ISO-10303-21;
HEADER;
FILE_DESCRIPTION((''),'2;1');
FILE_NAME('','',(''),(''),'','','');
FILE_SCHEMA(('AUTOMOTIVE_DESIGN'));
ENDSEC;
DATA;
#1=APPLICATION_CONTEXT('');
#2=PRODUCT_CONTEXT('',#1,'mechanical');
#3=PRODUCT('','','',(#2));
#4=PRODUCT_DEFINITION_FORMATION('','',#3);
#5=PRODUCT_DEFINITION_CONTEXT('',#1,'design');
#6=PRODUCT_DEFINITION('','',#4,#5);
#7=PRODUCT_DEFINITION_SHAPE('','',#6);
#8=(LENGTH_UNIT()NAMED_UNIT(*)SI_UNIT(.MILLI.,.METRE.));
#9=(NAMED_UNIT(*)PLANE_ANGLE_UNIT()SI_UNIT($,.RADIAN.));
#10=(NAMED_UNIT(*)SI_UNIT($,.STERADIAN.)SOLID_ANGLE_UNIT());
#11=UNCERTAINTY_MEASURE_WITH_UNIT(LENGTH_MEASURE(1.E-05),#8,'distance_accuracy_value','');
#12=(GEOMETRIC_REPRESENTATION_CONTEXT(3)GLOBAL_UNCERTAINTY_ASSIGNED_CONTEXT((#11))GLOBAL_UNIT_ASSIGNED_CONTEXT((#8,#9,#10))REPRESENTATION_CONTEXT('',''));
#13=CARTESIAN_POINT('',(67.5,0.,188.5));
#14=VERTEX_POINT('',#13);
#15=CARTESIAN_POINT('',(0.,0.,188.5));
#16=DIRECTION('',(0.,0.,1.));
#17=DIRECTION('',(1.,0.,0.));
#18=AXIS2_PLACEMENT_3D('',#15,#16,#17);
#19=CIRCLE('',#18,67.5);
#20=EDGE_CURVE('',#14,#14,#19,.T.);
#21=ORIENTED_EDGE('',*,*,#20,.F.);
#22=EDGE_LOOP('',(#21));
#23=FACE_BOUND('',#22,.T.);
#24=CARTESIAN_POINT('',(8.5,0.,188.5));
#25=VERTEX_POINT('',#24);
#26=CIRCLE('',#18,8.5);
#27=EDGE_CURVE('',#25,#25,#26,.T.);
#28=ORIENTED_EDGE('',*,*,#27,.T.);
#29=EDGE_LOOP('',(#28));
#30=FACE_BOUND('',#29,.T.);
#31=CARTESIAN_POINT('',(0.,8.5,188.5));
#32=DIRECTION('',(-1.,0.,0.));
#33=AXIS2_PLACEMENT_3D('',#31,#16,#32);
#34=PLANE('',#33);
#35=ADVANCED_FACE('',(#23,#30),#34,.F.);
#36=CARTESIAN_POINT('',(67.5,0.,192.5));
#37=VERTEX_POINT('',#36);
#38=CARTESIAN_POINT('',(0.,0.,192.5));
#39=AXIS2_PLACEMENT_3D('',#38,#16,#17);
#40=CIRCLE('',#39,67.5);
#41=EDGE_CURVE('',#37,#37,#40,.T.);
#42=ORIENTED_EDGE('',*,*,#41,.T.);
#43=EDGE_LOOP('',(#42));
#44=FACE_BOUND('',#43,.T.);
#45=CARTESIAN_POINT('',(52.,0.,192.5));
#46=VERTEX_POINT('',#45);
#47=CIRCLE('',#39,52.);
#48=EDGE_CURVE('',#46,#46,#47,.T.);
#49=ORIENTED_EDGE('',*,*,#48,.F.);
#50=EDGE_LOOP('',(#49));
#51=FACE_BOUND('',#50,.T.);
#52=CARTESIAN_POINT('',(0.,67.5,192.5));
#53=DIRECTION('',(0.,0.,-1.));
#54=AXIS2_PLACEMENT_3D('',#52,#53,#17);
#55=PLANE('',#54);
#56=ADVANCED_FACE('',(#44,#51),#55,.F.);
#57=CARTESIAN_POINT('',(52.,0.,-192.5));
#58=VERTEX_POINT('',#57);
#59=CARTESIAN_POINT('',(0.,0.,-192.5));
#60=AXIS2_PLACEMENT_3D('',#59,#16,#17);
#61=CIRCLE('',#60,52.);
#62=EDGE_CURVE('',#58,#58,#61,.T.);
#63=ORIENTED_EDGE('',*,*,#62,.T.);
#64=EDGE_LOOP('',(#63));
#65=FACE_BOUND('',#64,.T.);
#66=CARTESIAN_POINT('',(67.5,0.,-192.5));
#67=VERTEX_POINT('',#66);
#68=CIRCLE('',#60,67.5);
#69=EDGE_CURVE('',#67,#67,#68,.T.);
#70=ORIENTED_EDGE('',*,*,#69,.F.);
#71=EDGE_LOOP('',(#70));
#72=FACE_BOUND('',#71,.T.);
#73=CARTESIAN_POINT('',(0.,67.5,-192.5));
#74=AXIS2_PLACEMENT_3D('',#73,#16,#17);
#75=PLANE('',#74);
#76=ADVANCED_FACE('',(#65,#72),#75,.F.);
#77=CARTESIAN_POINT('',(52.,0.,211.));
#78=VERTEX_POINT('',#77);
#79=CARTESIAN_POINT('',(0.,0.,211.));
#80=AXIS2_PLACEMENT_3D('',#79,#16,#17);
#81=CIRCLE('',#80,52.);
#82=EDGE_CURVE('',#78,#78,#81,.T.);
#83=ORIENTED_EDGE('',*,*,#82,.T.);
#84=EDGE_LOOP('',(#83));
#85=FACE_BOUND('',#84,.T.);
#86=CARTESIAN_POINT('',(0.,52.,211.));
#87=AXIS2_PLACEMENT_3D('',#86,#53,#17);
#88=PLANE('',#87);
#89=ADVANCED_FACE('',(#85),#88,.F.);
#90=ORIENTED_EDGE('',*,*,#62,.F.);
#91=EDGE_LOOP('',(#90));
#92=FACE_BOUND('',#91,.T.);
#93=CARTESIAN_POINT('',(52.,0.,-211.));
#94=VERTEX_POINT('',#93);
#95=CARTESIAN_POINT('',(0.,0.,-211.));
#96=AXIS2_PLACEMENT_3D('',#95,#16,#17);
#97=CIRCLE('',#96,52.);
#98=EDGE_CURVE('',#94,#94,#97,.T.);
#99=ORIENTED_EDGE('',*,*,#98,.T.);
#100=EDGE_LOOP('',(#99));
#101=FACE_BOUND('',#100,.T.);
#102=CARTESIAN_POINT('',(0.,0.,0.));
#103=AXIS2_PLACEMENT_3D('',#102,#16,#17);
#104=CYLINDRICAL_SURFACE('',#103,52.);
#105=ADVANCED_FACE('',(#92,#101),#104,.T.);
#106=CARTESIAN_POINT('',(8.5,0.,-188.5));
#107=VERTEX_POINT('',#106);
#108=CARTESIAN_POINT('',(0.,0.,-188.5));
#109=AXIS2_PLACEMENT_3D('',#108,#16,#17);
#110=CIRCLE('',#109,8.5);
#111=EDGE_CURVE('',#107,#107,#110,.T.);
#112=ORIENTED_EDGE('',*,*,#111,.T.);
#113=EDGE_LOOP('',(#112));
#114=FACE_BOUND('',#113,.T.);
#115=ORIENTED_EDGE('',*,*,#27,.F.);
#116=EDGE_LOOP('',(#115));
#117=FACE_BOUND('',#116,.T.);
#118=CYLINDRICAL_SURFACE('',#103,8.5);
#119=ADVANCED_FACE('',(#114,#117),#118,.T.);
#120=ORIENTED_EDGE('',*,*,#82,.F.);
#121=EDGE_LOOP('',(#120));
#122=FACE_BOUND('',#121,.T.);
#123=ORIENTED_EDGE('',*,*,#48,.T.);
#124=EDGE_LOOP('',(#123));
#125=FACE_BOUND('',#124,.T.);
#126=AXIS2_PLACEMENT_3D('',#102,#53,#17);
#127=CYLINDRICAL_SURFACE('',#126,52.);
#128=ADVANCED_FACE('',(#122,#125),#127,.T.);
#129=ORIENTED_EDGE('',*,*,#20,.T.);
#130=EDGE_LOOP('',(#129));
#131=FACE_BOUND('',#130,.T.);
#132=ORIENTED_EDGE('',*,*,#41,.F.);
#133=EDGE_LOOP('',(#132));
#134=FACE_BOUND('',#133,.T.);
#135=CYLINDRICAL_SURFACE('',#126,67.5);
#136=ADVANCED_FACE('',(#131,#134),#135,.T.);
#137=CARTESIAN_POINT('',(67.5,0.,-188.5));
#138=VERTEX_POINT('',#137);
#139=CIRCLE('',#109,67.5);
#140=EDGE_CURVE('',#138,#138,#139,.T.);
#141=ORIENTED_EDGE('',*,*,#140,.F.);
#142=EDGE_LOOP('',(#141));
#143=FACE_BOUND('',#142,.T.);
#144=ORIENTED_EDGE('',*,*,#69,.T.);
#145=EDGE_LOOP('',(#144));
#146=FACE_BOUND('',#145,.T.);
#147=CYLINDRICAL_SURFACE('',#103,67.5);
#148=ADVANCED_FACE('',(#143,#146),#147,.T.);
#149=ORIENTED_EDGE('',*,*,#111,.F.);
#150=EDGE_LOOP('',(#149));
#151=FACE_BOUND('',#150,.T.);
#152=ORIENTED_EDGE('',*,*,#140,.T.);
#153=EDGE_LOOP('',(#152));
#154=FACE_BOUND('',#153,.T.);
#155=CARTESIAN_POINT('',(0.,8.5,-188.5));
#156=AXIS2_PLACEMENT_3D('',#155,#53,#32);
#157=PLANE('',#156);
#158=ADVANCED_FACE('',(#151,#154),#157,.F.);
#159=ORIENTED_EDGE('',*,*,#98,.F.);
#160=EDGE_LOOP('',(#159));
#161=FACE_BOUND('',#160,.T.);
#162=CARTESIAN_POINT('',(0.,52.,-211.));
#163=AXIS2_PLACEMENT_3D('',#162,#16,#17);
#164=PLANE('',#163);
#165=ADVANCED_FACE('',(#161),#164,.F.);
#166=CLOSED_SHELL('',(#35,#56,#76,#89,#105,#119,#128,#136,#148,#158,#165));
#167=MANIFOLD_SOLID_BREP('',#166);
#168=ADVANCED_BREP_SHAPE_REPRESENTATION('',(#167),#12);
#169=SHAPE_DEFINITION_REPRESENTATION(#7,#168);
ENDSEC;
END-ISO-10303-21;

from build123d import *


with BuildPart() as part:
    # Эскиз1 → Повернуть2 (revolve)
    with BuildSketch(Plane(origin=(0, 0, 0), x_dir=(0, 0, -1), z_dir=(1, 0, 0))):
        Polygon((0, 8.5), (188.5, 8.5), (188.5, 67.5), (192.5, 67.5), (192.5, 52), (211, 52), (211, 0), (0, 0), align=None)
    revolve_2 = revolve(axis=Axis((0, 0, 0), (0, 0, -1)))

    # Зеркальное отражение1: Повернуть2 across plane
    add(revolve_2.mirror(Plane(origin=(0, 8.5, 0), x_dir=(1, 0, 0), z_dir=(0, 0, -1))))


solid = part.part
